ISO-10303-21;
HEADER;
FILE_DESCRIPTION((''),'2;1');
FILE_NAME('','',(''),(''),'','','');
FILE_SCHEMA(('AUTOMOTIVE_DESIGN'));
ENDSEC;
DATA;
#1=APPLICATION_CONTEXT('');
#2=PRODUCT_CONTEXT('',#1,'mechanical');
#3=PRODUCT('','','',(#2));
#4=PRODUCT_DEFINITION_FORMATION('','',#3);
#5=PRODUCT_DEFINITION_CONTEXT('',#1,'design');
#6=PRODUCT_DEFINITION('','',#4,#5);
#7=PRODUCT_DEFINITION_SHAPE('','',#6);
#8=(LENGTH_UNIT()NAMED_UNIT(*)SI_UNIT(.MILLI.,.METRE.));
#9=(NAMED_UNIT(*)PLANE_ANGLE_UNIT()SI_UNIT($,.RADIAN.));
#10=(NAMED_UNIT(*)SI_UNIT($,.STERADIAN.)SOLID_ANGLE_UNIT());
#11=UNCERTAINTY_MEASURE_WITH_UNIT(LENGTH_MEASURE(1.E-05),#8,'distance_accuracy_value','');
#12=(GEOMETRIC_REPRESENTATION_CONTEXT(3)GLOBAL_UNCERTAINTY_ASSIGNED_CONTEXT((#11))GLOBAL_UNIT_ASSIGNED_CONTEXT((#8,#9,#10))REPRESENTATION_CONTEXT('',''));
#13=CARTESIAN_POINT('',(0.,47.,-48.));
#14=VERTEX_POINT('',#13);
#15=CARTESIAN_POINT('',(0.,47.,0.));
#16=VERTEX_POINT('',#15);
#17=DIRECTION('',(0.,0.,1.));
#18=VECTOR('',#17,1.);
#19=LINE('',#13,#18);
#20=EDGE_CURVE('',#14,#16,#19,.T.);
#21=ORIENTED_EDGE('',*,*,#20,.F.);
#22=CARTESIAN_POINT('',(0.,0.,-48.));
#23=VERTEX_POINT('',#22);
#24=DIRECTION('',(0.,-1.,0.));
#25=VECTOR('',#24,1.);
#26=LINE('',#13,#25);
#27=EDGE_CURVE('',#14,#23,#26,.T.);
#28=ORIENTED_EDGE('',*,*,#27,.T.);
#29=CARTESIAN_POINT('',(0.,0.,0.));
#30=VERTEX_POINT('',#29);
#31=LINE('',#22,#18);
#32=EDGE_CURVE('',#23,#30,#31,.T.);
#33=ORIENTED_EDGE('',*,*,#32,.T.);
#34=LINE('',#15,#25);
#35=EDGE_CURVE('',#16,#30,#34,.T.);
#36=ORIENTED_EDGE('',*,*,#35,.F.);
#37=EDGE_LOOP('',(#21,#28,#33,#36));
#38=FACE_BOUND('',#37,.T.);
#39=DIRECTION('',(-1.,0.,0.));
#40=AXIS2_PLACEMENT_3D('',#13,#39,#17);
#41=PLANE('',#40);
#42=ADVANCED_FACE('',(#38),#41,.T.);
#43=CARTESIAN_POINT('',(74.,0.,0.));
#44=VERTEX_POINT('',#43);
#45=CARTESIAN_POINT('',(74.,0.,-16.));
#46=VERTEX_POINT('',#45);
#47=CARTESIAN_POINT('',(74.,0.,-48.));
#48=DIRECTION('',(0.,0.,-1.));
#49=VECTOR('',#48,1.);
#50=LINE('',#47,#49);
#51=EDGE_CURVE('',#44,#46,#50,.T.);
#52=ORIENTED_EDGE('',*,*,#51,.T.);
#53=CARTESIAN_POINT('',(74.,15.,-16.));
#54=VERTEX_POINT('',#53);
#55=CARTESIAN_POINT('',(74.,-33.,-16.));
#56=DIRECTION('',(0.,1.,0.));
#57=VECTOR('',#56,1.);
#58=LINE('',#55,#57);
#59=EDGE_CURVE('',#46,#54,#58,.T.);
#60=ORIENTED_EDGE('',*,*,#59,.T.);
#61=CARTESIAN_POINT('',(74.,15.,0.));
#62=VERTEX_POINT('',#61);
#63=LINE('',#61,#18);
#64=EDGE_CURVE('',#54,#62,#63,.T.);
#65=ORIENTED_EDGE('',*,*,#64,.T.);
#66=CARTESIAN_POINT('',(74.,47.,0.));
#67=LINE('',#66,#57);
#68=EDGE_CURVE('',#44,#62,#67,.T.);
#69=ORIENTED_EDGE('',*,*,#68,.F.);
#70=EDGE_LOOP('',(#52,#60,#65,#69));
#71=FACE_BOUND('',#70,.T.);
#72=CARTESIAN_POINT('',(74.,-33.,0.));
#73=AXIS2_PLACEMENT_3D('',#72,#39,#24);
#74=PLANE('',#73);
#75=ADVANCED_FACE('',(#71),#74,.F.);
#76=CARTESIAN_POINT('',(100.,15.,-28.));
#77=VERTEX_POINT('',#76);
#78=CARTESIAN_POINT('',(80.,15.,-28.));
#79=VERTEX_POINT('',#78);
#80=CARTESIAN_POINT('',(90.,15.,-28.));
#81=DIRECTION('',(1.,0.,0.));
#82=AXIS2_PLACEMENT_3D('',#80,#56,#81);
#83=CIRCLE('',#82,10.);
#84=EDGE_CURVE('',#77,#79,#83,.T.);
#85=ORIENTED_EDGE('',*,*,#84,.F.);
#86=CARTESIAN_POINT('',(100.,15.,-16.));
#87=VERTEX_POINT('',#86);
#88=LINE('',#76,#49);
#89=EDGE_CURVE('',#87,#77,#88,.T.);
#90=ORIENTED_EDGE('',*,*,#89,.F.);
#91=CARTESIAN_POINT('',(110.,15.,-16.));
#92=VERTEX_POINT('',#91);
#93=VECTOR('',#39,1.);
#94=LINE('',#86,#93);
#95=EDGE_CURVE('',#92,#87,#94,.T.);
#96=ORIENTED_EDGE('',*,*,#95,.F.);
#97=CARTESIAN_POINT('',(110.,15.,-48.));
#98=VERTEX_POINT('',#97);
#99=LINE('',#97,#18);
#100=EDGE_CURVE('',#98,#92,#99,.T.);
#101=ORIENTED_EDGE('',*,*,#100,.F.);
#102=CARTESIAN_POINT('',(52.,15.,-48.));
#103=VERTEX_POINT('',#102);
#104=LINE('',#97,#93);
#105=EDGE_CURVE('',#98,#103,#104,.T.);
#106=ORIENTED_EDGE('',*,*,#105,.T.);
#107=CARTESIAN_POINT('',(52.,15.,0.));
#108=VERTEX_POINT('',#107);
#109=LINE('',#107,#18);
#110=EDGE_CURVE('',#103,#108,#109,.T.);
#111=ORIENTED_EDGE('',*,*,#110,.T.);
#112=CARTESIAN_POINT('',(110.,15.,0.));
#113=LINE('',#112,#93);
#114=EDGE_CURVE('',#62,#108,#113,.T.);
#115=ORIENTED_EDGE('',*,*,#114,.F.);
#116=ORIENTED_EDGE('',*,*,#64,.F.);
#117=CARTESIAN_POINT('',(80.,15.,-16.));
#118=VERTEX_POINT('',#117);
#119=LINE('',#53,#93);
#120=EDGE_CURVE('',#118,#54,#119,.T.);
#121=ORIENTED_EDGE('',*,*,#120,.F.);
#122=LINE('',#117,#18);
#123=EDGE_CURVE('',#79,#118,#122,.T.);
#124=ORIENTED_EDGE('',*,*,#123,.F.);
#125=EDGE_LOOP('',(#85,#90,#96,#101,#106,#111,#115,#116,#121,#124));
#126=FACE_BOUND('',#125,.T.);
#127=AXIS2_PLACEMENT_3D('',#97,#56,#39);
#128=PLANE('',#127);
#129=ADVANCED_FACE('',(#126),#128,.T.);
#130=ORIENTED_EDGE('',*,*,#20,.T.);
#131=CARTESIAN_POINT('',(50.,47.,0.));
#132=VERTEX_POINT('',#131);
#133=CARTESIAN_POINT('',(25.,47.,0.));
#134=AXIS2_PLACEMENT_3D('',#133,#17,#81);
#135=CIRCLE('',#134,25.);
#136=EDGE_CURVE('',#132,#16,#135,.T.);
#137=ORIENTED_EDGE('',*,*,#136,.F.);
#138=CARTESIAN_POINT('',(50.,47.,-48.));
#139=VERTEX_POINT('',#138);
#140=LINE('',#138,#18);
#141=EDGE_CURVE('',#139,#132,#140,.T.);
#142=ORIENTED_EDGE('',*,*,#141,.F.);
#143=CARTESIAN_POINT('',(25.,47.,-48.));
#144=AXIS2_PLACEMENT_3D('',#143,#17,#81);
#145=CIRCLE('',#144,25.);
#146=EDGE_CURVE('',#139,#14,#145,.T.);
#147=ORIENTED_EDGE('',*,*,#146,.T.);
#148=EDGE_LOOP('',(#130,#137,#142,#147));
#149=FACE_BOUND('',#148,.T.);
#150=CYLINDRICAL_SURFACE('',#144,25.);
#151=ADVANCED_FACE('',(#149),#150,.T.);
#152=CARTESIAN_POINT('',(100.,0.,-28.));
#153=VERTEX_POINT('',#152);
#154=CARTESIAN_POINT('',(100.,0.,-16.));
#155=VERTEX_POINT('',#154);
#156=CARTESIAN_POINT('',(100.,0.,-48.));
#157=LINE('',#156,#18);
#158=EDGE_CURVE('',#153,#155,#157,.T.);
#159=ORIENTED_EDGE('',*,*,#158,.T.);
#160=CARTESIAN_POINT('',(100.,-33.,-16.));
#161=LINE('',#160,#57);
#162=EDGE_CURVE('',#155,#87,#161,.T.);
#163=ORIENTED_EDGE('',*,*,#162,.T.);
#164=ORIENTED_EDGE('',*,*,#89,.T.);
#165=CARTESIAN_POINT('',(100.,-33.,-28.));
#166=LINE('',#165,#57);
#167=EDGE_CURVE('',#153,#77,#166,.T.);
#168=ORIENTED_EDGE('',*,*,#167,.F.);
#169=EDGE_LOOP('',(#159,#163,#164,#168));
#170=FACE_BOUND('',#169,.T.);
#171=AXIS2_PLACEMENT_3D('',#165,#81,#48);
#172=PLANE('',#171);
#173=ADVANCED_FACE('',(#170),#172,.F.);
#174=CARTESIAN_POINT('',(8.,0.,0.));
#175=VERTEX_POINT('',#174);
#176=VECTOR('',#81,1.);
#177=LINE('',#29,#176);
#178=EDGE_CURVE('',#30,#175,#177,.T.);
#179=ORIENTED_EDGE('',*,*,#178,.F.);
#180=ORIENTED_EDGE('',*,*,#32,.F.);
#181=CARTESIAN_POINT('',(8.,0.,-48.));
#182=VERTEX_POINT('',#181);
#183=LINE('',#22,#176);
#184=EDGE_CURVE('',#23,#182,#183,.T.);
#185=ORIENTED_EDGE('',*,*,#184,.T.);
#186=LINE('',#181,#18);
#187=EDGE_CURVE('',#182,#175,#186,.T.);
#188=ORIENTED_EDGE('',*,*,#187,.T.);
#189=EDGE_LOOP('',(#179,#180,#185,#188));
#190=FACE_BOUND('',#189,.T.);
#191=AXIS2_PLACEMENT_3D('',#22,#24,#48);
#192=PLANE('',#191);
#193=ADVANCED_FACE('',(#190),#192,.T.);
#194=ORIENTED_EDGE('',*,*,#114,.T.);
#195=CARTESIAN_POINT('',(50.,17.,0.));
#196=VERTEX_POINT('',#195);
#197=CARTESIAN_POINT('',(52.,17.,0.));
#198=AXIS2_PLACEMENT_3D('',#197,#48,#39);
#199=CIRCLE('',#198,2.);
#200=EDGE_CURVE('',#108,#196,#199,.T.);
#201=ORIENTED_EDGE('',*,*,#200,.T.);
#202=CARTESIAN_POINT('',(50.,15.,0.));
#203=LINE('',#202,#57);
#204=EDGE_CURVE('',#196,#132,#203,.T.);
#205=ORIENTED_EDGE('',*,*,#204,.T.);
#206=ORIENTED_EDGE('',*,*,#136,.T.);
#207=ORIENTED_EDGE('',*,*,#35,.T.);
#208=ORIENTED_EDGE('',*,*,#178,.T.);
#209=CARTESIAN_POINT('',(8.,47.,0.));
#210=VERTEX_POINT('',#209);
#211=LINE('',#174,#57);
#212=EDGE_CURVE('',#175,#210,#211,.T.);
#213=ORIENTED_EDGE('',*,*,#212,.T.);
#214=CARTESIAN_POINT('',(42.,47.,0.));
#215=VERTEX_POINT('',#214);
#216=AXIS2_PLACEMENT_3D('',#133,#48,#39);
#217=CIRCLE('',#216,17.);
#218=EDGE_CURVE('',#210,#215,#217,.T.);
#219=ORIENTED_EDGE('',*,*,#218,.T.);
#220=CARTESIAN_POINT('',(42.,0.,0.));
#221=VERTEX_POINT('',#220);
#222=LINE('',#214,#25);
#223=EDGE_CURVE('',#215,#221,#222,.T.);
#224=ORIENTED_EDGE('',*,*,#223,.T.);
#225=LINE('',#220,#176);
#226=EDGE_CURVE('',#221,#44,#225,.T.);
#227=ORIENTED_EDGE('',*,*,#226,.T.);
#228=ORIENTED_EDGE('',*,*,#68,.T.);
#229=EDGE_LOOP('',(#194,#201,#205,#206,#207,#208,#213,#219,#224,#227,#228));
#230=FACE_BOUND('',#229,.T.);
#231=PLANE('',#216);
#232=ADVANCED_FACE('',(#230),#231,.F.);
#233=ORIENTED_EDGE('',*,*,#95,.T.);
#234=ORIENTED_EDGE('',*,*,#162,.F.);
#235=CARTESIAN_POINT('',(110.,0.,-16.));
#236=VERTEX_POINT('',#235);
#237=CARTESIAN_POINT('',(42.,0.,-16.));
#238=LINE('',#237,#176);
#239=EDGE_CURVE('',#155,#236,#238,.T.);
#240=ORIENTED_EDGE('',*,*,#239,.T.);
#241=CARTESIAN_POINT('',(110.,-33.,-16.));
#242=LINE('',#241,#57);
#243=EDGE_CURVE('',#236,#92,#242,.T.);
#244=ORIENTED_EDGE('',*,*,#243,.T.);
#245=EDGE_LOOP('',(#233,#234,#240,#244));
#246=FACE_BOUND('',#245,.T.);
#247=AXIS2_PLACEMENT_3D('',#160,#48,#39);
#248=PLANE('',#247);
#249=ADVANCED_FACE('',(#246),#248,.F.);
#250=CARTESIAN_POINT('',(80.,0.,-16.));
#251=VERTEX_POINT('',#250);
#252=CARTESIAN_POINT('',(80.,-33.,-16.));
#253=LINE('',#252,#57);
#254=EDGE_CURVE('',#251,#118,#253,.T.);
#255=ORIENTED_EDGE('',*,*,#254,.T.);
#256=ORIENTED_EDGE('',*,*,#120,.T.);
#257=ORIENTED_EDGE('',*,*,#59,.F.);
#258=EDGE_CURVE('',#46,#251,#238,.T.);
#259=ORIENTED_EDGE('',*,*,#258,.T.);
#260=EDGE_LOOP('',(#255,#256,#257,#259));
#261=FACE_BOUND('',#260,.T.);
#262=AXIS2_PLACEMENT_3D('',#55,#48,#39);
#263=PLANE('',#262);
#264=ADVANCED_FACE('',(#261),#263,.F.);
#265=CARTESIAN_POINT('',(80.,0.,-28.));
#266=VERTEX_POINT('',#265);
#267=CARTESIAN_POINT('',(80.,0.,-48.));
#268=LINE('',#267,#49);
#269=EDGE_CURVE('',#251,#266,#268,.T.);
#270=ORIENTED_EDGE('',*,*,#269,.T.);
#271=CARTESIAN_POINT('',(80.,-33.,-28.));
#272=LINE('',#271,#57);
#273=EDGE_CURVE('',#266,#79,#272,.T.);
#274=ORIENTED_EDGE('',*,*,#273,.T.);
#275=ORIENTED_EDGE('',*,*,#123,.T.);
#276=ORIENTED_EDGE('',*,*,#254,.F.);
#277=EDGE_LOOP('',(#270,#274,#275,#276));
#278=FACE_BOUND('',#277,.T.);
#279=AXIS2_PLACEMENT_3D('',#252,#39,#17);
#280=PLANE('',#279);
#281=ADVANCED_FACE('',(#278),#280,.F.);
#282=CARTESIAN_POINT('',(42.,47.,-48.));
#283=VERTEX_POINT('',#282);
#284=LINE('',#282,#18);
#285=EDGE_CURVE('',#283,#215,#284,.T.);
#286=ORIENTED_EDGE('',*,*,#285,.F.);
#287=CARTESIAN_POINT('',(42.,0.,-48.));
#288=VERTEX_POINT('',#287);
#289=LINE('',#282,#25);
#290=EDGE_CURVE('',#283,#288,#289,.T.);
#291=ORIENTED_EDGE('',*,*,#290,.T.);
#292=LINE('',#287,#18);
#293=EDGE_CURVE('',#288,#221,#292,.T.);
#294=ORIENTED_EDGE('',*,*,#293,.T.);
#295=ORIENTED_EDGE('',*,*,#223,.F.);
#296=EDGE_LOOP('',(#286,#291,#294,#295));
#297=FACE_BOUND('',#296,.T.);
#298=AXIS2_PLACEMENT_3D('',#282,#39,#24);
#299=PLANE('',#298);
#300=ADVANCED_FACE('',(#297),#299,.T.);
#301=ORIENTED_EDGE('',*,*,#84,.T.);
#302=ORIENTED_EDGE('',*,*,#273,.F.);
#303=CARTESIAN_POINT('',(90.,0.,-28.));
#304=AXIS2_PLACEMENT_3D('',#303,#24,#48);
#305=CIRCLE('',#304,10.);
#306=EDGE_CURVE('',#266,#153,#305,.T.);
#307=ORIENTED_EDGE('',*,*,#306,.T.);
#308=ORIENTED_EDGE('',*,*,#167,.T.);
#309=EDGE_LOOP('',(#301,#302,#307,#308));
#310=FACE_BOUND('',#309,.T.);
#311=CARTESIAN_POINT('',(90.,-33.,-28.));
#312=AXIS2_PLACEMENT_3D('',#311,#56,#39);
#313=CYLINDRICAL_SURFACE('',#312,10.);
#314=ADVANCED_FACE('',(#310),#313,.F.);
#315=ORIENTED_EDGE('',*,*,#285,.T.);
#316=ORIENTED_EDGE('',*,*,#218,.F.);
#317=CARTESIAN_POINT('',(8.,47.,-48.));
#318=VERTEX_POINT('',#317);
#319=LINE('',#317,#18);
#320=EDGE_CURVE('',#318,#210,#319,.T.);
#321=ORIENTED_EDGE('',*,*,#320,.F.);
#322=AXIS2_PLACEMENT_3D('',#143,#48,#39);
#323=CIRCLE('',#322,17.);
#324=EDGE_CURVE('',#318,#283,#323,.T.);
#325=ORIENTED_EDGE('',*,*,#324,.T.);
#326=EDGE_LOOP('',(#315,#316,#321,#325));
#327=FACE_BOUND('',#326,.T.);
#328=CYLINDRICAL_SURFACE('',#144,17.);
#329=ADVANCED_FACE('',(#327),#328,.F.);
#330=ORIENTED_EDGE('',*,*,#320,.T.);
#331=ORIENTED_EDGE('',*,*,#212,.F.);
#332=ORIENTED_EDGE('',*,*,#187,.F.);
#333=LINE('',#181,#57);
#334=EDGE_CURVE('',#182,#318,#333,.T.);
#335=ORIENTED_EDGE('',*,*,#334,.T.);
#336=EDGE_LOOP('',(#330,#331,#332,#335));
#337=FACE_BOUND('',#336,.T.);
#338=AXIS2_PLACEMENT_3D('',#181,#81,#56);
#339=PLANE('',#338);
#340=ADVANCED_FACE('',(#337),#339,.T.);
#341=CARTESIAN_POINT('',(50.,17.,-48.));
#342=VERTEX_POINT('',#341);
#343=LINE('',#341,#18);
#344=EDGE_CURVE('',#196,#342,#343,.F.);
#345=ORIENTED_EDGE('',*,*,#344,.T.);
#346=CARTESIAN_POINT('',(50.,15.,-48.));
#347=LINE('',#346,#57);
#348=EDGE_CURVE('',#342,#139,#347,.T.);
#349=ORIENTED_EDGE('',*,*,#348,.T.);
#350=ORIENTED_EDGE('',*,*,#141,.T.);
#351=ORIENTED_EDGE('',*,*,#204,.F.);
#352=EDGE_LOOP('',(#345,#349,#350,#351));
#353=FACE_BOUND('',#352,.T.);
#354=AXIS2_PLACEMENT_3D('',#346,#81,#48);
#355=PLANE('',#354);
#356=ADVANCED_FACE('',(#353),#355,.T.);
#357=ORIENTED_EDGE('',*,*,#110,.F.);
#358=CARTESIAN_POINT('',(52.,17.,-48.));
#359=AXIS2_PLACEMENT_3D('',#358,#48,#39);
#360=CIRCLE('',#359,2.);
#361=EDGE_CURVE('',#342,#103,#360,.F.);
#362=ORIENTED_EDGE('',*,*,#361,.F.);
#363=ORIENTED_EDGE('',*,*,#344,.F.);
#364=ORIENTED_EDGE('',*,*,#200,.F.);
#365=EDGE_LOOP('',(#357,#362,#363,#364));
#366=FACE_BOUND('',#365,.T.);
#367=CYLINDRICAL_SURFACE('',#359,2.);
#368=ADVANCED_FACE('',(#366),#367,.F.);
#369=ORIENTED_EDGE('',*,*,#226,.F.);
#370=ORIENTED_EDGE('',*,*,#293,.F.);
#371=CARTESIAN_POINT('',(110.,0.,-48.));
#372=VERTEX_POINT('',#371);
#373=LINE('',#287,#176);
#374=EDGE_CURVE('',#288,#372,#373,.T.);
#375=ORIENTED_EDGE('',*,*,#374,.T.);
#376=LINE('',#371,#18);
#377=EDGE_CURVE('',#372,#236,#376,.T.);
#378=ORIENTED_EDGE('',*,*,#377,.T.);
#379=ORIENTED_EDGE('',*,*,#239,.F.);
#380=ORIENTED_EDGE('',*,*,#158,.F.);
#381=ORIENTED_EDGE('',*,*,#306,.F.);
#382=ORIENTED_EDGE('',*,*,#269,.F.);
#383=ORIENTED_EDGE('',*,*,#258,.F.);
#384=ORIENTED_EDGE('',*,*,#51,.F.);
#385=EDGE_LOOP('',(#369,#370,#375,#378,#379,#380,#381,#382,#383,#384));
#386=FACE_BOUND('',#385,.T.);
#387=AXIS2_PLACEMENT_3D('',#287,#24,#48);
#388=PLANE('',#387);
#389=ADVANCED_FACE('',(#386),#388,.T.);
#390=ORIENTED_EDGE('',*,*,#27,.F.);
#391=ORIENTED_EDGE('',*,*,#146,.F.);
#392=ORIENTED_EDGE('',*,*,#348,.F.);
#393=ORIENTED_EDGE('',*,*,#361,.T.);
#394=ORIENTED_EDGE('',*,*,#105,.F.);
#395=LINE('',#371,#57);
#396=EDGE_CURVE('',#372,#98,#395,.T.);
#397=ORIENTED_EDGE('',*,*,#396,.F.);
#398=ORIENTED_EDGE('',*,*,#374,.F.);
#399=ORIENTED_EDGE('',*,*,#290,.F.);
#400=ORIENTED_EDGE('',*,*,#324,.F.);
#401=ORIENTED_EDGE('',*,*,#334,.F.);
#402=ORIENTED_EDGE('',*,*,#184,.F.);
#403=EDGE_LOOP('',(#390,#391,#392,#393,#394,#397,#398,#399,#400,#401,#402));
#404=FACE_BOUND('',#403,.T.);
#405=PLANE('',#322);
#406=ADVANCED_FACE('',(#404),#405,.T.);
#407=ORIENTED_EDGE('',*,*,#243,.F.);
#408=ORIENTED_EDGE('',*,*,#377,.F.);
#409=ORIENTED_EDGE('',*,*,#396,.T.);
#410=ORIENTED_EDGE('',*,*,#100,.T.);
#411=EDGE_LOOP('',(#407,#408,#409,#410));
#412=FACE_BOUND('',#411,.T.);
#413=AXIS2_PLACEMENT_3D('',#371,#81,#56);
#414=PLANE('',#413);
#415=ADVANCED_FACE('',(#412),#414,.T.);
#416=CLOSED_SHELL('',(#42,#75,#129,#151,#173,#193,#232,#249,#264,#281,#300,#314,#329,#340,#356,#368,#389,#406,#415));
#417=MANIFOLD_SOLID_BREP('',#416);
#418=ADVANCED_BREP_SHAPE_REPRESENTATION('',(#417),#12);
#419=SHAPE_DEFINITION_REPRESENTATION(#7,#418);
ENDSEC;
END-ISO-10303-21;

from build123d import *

# Parameters (mm, degrees)
EXTRUDE_1_DEPTH     = 48
CUT_EXTRUDE_1_DEPTH = 48
FILLET_1_R          = 2


with BuildPart() as part:
    # 草圖1 → 填料-伸長1 (new body)
    with BuildSketch(Plane.XY):
        with BuildLine():
            Line((0, 0), (8, 0))
            Line((8, 0), (8, 47))
            ThreePointArc((8, 47), (25, 64), (42, 47))
            Line((42, 47), (42, 0))
            Line((42, 0), (110, 0))
            Line((110, 0), (110, 15))
            Line((110, 15), (50, 15))
            Line((50, 15), (50, 47))
            ThreePointArc((50, 47), (25, 72), (0, 47))
            Line((0, 47), (0, 0))
        make_face()
    extrude(amount=-EXTRUDE_1_DEPTH)

    # 草圖2 → 除料-伸長1 (cut)
    with BuildSketch(Plane(origin=(0, 15, 0), x_dir=(1, 0, 0), z_dir=(0, 1, 0))):
        with BuildLine():
            Line((74, 0), (74, 16))
            Line((74, 16), (80, 16))
            Line((80, 16), (80, 28))
            ThreePointArc((80, 28), (90, 38), (100, 28))
            Line((100, 28), (100, 16))
            Line((100, 16), (110, 16))
            Line((110, 16), (110, 0))
            Line((110, 0), (74, 0))
        make_face()
    extrude(amount=-CUT_EXTRUDE_1_DEPTH, mode=Mode.SUBTRACT)

    # 圓角1
    fillet_1_edges = [part.edges().sort_by_distance(p)[0] for p in [
        (50, 15, -24),
    ]]
    fillet(fillet_1_edges, radius=FILLET_1_R)


solid = part.part
